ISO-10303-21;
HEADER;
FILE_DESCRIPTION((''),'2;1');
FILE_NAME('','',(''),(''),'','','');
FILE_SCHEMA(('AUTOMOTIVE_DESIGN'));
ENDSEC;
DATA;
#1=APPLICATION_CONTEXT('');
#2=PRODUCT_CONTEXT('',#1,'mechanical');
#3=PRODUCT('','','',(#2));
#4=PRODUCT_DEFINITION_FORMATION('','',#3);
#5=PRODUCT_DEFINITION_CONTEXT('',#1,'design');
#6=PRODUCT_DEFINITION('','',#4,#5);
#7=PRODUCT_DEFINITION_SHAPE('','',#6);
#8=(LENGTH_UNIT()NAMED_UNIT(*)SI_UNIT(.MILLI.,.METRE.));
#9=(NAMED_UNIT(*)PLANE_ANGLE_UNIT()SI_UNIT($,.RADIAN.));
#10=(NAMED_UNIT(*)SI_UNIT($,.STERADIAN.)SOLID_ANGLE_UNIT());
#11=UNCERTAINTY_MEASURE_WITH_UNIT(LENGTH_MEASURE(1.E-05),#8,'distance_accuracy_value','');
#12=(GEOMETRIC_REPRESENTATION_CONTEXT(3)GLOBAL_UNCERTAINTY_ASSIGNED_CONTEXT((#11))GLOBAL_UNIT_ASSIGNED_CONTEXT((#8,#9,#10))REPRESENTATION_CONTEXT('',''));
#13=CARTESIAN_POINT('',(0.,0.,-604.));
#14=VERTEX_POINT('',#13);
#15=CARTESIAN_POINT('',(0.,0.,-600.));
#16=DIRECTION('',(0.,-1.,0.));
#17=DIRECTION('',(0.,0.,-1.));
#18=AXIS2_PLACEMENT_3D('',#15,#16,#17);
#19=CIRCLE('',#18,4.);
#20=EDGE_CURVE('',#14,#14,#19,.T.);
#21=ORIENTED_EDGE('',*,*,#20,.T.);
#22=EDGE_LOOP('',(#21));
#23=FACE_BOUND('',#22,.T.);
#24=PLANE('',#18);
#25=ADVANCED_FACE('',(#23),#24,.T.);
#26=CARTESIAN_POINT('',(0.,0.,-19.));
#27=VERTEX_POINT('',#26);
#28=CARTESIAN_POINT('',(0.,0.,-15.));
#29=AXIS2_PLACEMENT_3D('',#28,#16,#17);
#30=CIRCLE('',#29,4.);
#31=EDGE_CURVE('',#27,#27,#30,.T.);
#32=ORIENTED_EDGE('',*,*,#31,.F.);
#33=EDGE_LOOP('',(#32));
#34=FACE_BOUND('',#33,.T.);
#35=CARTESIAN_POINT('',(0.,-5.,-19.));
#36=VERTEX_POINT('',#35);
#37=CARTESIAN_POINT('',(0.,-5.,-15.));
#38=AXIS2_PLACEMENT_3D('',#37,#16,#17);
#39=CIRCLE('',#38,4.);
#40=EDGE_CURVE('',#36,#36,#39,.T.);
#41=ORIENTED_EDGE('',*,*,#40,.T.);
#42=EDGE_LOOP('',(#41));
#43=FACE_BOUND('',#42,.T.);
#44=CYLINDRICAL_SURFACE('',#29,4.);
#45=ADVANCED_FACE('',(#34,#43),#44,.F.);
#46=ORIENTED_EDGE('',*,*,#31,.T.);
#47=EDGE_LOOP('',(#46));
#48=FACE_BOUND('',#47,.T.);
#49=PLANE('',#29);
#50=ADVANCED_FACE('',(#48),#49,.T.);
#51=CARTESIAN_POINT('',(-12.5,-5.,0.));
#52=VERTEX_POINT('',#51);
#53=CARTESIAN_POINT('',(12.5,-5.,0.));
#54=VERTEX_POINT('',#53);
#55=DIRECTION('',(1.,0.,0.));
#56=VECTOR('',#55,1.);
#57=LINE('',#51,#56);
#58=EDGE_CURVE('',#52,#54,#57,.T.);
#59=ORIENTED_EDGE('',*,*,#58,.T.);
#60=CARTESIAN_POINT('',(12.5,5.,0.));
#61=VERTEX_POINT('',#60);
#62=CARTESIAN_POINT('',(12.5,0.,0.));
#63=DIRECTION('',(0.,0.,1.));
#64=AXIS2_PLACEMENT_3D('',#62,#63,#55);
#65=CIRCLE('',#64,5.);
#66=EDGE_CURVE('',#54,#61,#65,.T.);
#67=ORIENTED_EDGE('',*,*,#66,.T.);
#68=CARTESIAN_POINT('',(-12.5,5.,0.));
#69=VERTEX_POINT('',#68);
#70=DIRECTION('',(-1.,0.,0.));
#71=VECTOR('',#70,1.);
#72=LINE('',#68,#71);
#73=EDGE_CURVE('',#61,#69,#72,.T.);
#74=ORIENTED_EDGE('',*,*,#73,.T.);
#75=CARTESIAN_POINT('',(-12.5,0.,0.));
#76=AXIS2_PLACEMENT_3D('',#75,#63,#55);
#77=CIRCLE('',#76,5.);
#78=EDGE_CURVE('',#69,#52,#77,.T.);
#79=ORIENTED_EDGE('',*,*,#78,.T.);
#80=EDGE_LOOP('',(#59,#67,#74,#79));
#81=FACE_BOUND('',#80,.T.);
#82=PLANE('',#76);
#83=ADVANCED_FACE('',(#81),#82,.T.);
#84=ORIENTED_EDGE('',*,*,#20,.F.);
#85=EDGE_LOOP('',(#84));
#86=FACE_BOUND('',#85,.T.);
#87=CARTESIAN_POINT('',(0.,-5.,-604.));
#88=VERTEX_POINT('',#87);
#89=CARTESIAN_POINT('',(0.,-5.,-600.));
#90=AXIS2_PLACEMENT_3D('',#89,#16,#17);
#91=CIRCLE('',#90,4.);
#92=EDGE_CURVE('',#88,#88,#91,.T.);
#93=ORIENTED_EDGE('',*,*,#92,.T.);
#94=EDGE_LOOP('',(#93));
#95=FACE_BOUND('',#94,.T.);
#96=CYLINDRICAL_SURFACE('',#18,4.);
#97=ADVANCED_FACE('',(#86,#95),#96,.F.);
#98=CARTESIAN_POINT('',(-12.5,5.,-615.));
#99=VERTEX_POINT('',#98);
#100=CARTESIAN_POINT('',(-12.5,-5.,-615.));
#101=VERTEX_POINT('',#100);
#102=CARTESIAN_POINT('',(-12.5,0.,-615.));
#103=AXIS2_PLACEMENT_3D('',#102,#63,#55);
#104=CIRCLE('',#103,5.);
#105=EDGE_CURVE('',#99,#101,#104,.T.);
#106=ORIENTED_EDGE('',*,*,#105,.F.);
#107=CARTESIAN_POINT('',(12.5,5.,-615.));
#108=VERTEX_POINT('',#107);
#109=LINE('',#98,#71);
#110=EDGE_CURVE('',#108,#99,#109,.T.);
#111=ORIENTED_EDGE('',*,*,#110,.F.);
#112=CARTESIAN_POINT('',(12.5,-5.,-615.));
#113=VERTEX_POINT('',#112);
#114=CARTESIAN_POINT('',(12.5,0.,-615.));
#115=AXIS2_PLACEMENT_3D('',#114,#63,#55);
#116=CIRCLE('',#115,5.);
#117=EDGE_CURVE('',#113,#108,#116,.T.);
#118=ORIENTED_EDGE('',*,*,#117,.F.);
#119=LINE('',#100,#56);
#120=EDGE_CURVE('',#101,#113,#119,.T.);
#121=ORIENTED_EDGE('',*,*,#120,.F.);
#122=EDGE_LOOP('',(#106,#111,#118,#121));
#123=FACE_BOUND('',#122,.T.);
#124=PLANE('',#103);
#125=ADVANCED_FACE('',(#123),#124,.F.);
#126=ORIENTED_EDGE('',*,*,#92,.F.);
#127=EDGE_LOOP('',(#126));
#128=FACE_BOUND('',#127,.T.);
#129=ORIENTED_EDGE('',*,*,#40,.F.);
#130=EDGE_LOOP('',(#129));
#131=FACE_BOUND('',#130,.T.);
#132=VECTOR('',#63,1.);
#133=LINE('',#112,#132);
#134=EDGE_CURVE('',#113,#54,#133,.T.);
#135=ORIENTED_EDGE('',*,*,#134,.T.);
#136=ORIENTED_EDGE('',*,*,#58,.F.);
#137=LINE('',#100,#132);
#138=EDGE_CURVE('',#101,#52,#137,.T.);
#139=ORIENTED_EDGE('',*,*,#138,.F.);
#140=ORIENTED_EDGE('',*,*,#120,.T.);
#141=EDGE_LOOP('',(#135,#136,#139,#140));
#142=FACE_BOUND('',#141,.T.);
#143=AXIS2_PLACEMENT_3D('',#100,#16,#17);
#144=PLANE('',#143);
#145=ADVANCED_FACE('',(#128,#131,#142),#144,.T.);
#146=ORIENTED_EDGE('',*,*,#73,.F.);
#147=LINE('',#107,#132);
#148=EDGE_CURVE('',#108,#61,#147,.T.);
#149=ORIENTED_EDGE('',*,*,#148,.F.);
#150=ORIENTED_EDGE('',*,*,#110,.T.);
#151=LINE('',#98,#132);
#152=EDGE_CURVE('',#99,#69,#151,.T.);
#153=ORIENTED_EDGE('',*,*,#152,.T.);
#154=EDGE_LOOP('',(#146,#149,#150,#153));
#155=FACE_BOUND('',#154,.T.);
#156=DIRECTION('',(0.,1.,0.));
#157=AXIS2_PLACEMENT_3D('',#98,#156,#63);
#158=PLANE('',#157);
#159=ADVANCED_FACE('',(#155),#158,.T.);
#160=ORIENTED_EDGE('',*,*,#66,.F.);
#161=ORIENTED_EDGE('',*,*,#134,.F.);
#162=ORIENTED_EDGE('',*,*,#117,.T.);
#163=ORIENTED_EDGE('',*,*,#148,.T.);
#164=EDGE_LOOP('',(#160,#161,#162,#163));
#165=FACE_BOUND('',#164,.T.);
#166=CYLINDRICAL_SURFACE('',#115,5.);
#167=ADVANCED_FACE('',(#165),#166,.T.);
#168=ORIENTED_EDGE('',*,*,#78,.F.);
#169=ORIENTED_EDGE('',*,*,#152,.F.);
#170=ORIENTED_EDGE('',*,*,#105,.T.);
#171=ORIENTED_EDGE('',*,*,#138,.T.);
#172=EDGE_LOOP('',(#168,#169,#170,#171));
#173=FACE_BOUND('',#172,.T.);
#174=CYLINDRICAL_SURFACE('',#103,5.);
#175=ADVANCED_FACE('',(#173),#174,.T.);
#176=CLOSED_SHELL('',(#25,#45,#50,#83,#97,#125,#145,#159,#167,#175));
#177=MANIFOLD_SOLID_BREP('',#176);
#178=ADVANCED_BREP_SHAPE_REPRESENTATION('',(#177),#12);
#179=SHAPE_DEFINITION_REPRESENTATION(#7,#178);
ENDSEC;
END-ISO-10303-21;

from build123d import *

# Parameters (mm, degrees)
BOSS_EXTRUDE1_DEPTH = 615
SKETCH2_R           = 4
CUT_EXTRUDE1_DEPTH  = 5


with BuildPart() as part:
    # Sketch1 → Boss-Extrude1 (new body)
    with BuildSketch(Plane.XY):
        with BuildLine():
            Line((-12.5, 5), (12.5, 5))
            ThreePointArc((12.5, 5), (17.5, 0), (12.5, -5))
            Line((12.5, -5), (-12.5, -5))
            ThreePointArc((-12.5, -5), (-17.5, 0), (-12.5, 5))
        make_face()
    extrude(amount=-BOSS_EXTRUDE1_DEPTH)

    # Sketch2 → Cut-Extrude1 (cut)
    with BuildSketch(Plane.XZ.offset(5)):
        with Locations(Location((0, -15, 0), (0, 0, 270))):
            Circle(SKETCH2_R)
        with Locations(Location((0, -600, 0), (0, 0, 270))):
            Circle(SKETCH2_R)
    extrude(amount=-CUT_EXTRUDE1_DEPTH, mode=Mode.SUBTRACT)


solid = part.part
